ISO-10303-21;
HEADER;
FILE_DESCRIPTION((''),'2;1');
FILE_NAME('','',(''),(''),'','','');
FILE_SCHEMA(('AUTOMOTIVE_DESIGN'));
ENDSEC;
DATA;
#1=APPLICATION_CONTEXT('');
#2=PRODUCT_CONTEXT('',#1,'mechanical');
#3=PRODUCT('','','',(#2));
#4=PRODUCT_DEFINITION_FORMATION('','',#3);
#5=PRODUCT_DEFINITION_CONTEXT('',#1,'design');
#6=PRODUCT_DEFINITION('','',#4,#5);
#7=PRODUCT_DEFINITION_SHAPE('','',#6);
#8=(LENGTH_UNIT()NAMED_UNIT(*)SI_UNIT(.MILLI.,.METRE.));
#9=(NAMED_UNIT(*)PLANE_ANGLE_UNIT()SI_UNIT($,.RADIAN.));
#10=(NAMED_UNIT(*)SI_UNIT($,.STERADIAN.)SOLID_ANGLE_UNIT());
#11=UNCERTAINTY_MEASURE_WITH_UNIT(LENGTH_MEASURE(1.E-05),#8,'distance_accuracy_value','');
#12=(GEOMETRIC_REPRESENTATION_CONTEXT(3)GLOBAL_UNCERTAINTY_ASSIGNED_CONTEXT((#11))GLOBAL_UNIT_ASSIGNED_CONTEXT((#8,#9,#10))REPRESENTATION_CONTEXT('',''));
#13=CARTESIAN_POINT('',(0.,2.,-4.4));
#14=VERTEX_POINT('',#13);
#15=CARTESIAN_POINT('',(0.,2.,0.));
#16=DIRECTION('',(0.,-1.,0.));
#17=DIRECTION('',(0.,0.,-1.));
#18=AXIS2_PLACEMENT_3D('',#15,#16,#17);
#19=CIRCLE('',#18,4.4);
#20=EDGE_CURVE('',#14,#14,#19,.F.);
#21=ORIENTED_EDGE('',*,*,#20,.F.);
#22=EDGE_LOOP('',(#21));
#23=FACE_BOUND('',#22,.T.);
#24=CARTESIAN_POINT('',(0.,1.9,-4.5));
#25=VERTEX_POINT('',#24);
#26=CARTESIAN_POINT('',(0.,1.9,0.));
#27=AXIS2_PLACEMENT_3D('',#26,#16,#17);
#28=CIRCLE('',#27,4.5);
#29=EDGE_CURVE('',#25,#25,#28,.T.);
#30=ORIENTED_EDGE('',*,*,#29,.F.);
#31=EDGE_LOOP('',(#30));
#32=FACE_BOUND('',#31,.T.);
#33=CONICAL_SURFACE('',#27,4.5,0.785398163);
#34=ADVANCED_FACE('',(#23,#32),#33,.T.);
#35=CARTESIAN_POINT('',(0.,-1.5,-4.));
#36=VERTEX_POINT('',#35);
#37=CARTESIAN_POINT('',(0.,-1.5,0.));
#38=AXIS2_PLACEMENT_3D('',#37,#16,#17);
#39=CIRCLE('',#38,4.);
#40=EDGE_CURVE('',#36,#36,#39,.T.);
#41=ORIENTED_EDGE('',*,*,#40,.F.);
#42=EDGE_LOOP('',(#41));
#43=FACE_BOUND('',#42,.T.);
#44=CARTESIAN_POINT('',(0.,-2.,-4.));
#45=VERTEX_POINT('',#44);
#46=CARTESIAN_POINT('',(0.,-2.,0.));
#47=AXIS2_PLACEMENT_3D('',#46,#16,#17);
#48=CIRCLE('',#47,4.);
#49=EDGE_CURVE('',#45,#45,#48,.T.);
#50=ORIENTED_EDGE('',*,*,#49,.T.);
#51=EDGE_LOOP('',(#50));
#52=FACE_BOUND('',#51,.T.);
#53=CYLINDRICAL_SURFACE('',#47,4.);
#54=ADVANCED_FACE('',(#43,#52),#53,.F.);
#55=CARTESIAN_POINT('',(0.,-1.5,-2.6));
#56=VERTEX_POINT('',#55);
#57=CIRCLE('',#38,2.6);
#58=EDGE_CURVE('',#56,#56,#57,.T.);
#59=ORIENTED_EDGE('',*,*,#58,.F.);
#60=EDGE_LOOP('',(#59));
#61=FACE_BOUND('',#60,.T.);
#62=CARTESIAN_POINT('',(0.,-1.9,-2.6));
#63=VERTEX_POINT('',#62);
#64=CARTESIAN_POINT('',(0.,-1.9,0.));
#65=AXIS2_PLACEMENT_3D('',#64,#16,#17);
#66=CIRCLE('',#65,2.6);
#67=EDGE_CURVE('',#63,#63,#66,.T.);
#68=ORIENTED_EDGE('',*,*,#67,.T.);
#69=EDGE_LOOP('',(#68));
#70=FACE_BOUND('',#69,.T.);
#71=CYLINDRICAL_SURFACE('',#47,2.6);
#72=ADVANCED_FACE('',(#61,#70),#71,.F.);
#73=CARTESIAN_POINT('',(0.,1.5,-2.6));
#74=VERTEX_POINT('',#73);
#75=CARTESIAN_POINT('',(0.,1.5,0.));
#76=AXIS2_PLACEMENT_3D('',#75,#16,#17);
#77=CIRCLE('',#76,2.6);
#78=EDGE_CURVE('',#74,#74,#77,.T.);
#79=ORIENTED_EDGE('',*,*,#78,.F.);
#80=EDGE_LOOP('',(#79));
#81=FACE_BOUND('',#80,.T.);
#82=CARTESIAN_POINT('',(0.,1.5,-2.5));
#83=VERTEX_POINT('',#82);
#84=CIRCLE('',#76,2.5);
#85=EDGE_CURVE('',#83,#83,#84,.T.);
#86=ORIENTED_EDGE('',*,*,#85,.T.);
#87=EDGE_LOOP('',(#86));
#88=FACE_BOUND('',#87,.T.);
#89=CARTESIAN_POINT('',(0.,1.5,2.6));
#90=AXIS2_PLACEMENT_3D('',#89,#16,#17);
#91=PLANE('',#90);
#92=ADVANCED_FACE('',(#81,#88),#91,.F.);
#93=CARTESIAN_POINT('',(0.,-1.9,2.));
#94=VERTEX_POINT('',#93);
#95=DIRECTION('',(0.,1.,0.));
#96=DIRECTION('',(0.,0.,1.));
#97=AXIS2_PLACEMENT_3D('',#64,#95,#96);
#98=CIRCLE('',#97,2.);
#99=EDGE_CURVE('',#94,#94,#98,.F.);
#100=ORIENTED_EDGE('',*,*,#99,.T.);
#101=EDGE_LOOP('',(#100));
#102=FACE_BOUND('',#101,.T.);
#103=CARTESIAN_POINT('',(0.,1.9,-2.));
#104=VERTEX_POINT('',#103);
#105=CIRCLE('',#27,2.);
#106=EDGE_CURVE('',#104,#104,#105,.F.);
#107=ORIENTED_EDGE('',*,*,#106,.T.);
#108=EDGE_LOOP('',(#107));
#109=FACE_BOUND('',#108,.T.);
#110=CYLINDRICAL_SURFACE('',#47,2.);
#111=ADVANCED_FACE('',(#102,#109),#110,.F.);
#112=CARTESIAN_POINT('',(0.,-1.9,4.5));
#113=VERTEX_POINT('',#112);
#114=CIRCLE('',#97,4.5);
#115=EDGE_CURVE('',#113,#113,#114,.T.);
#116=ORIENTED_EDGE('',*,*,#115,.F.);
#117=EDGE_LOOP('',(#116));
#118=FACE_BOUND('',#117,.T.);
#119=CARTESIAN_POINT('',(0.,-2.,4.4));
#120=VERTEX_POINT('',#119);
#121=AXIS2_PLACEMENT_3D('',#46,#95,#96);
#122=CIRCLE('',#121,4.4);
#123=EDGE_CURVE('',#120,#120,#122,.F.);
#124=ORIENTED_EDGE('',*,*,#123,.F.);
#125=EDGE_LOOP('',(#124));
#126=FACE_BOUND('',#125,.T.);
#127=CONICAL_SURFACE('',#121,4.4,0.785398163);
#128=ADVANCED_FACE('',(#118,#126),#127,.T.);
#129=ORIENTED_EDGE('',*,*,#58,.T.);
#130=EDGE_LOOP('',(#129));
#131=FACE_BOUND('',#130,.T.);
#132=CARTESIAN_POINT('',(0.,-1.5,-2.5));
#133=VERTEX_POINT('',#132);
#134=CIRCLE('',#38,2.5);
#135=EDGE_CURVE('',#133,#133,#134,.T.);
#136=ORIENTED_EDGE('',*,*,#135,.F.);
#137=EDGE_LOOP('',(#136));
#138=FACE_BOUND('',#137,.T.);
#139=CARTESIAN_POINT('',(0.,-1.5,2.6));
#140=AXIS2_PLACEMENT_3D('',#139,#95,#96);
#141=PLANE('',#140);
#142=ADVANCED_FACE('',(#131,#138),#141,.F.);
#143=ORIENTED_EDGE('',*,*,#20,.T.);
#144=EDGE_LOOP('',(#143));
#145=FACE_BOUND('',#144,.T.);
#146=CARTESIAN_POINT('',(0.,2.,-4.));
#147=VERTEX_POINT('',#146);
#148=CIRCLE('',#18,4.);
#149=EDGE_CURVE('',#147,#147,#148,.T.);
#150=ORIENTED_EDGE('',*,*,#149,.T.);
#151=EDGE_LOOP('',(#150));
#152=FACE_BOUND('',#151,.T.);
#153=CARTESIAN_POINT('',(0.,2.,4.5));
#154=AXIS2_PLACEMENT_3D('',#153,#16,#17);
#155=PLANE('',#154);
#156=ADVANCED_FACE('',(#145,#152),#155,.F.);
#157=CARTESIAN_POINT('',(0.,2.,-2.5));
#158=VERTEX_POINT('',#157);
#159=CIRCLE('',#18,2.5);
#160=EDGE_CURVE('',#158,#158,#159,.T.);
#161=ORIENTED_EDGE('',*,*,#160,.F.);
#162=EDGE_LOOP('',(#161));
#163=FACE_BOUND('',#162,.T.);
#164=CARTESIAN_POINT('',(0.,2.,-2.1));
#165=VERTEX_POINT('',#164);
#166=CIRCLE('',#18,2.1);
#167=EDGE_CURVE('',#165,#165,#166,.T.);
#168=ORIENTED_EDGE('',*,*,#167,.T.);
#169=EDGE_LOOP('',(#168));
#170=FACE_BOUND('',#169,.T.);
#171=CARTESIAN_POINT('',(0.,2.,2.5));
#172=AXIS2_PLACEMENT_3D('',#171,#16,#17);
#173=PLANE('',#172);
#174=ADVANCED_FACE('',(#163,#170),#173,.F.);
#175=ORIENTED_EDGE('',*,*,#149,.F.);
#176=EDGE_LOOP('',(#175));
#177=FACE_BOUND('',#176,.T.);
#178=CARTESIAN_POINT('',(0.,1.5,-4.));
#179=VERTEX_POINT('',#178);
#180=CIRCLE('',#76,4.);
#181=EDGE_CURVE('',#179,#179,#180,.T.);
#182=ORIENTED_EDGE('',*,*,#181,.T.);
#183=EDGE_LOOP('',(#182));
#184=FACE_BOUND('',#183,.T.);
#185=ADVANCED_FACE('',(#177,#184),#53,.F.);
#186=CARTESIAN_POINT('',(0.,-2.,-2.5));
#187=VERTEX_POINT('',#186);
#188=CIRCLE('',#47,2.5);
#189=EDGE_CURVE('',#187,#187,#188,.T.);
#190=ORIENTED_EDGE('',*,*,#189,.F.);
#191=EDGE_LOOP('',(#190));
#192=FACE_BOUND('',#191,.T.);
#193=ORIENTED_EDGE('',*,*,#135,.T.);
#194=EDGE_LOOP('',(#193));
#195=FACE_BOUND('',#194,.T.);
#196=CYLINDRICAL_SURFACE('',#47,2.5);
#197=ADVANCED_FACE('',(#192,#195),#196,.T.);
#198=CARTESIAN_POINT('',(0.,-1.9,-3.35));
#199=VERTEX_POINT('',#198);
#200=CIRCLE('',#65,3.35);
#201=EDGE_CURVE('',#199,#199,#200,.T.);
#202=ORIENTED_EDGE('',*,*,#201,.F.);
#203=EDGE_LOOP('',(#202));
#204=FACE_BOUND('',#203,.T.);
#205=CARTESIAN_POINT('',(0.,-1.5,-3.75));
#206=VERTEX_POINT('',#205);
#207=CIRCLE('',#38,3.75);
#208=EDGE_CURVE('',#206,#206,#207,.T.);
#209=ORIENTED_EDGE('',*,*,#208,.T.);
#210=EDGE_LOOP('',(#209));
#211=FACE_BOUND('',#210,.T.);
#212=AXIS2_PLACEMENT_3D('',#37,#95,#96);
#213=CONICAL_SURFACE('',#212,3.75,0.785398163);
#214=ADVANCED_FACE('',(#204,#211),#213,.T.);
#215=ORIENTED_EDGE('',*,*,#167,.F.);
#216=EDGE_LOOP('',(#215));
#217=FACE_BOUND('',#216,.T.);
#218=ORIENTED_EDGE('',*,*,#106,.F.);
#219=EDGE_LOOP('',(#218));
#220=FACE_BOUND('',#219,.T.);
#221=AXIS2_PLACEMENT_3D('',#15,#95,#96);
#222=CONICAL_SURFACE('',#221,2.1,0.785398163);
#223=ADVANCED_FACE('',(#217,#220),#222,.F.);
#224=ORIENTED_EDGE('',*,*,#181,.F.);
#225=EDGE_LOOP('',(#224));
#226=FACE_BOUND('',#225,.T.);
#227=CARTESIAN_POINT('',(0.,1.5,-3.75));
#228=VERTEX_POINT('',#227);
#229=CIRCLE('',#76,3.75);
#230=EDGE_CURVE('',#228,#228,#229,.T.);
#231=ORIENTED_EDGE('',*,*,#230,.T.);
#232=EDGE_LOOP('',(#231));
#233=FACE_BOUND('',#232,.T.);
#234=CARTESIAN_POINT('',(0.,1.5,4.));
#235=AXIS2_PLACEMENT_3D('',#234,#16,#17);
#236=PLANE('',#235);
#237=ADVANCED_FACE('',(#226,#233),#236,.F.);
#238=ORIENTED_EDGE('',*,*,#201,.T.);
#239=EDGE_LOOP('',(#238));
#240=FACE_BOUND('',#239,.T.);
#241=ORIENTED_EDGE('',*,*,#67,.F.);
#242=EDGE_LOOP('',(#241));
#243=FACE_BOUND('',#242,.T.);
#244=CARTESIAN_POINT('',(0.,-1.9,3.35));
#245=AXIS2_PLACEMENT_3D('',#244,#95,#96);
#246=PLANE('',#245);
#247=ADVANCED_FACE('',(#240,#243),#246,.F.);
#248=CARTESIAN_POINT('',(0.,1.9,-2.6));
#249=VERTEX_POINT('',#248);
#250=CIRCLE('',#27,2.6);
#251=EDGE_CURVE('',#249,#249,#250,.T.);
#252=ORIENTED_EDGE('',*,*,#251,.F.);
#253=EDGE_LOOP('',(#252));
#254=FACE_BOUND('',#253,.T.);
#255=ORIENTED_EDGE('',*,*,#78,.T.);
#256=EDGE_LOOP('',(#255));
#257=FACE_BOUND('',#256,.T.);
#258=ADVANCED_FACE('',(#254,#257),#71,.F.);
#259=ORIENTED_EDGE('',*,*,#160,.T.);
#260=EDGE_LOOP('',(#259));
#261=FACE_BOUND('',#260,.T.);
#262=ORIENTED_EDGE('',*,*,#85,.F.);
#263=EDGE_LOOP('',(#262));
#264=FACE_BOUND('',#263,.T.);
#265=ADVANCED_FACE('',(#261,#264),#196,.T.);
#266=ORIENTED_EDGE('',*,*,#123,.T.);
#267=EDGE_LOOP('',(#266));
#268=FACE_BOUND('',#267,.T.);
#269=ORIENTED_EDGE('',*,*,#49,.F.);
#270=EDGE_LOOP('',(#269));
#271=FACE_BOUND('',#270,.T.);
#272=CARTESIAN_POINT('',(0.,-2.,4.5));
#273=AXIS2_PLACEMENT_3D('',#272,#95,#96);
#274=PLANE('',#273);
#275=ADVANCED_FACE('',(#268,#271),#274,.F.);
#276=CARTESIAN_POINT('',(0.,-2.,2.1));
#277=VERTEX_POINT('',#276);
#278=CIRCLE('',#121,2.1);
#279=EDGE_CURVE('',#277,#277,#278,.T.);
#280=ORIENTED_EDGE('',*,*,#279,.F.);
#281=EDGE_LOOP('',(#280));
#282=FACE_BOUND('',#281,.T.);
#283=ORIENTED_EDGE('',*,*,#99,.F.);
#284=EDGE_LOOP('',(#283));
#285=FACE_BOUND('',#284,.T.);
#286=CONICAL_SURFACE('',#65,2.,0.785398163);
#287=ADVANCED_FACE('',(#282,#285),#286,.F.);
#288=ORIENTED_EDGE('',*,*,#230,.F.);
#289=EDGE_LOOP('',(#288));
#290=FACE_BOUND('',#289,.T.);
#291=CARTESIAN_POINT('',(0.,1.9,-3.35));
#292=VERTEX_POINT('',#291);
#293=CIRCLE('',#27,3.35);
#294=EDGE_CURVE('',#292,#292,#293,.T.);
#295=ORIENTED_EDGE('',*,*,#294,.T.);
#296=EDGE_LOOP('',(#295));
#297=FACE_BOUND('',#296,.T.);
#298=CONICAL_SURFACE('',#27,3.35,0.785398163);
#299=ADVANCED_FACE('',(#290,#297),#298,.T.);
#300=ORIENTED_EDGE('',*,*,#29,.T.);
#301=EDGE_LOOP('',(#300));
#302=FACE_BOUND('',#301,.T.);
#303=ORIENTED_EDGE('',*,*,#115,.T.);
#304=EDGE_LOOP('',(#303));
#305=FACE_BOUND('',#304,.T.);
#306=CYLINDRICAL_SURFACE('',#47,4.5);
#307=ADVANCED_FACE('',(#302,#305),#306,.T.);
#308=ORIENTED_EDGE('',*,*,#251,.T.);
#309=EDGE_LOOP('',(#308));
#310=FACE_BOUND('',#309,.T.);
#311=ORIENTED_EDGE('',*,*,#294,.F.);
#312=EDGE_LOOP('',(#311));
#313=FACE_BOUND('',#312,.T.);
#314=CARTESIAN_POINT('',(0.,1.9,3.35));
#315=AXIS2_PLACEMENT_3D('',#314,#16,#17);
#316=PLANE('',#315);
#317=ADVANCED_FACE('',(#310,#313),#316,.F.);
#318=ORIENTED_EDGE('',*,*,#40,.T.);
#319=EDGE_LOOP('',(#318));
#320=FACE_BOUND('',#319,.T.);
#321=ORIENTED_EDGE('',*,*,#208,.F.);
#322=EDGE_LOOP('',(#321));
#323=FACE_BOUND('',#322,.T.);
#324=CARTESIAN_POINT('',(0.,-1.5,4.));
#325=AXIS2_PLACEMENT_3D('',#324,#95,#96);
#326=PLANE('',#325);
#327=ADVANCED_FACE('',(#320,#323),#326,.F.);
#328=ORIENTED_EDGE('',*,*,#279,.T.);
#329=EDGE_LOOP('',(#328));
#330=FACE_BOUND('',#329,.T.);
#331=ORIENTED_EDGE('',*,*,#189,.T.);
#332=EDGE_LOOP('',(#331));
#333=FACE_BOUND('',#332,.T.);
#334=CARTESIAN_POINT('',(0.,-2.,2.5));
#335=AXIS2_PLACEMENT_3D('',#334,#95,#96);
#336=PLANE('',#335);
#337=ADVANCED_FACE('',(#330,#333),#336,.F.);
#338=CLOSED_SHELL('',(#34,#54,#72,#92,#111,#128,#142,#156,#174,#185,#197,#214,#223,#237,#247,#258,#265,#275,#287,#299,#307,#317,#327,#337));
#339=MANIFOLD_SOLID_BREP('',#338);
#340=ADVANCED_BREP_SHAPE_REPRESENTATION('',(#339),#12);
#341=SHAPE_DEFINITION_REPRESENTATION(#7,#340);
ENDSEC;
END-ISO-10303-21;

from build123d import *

# Parameters (mm, degrees)
CHAMFER1_SIZE = 0.1


with BuildPart() as part:
    # Sketch1 → Revolve1 (revolve)
    with BuildSketch(Plane(origin=(0, 0, 0), x_dir=(0, 0, -1), z_dir=(1, 0, 0)), mode=Mode.PRIVATE) as revolve1_sk:
        Polygon((-2, 2), (-2, -2), (-2.5, -2), (-2.5, -1.5), (-2.6, -1.5), (-2.6, -1.9), (-3.35, -1.9), (-3.75, -1.5), (-4, -1.5), (-4, -2), (-4.5, -2), (-4.5, 2), (-4, 2), (-4, 1.5), (-3.75, 1.5), (-3.35, 1.9), (-2.6, 1.9), (-2.6, 1.5), (-2.5, 1.5), (-2.5, 2), align=None)
    revolve(revolve1_sk.sketch.rotate(Axis((0, -2, 0), (0, 1, 0)), 180), axis=Axis((0, -2, 0), (0, 1, 0)))

    # Chamfer1
    chamfer1_edges = [part.edges().sort_by_distance(p)[0] for p in [
        (0, 2, 4.5),
        (0, -2, 4.5),
        (0, -2, 2),
        (0, 2, 2),
    ]]
    chamfer(chamfer1_edges, length=CHAMFER1_SIZE)


solid = part.part
